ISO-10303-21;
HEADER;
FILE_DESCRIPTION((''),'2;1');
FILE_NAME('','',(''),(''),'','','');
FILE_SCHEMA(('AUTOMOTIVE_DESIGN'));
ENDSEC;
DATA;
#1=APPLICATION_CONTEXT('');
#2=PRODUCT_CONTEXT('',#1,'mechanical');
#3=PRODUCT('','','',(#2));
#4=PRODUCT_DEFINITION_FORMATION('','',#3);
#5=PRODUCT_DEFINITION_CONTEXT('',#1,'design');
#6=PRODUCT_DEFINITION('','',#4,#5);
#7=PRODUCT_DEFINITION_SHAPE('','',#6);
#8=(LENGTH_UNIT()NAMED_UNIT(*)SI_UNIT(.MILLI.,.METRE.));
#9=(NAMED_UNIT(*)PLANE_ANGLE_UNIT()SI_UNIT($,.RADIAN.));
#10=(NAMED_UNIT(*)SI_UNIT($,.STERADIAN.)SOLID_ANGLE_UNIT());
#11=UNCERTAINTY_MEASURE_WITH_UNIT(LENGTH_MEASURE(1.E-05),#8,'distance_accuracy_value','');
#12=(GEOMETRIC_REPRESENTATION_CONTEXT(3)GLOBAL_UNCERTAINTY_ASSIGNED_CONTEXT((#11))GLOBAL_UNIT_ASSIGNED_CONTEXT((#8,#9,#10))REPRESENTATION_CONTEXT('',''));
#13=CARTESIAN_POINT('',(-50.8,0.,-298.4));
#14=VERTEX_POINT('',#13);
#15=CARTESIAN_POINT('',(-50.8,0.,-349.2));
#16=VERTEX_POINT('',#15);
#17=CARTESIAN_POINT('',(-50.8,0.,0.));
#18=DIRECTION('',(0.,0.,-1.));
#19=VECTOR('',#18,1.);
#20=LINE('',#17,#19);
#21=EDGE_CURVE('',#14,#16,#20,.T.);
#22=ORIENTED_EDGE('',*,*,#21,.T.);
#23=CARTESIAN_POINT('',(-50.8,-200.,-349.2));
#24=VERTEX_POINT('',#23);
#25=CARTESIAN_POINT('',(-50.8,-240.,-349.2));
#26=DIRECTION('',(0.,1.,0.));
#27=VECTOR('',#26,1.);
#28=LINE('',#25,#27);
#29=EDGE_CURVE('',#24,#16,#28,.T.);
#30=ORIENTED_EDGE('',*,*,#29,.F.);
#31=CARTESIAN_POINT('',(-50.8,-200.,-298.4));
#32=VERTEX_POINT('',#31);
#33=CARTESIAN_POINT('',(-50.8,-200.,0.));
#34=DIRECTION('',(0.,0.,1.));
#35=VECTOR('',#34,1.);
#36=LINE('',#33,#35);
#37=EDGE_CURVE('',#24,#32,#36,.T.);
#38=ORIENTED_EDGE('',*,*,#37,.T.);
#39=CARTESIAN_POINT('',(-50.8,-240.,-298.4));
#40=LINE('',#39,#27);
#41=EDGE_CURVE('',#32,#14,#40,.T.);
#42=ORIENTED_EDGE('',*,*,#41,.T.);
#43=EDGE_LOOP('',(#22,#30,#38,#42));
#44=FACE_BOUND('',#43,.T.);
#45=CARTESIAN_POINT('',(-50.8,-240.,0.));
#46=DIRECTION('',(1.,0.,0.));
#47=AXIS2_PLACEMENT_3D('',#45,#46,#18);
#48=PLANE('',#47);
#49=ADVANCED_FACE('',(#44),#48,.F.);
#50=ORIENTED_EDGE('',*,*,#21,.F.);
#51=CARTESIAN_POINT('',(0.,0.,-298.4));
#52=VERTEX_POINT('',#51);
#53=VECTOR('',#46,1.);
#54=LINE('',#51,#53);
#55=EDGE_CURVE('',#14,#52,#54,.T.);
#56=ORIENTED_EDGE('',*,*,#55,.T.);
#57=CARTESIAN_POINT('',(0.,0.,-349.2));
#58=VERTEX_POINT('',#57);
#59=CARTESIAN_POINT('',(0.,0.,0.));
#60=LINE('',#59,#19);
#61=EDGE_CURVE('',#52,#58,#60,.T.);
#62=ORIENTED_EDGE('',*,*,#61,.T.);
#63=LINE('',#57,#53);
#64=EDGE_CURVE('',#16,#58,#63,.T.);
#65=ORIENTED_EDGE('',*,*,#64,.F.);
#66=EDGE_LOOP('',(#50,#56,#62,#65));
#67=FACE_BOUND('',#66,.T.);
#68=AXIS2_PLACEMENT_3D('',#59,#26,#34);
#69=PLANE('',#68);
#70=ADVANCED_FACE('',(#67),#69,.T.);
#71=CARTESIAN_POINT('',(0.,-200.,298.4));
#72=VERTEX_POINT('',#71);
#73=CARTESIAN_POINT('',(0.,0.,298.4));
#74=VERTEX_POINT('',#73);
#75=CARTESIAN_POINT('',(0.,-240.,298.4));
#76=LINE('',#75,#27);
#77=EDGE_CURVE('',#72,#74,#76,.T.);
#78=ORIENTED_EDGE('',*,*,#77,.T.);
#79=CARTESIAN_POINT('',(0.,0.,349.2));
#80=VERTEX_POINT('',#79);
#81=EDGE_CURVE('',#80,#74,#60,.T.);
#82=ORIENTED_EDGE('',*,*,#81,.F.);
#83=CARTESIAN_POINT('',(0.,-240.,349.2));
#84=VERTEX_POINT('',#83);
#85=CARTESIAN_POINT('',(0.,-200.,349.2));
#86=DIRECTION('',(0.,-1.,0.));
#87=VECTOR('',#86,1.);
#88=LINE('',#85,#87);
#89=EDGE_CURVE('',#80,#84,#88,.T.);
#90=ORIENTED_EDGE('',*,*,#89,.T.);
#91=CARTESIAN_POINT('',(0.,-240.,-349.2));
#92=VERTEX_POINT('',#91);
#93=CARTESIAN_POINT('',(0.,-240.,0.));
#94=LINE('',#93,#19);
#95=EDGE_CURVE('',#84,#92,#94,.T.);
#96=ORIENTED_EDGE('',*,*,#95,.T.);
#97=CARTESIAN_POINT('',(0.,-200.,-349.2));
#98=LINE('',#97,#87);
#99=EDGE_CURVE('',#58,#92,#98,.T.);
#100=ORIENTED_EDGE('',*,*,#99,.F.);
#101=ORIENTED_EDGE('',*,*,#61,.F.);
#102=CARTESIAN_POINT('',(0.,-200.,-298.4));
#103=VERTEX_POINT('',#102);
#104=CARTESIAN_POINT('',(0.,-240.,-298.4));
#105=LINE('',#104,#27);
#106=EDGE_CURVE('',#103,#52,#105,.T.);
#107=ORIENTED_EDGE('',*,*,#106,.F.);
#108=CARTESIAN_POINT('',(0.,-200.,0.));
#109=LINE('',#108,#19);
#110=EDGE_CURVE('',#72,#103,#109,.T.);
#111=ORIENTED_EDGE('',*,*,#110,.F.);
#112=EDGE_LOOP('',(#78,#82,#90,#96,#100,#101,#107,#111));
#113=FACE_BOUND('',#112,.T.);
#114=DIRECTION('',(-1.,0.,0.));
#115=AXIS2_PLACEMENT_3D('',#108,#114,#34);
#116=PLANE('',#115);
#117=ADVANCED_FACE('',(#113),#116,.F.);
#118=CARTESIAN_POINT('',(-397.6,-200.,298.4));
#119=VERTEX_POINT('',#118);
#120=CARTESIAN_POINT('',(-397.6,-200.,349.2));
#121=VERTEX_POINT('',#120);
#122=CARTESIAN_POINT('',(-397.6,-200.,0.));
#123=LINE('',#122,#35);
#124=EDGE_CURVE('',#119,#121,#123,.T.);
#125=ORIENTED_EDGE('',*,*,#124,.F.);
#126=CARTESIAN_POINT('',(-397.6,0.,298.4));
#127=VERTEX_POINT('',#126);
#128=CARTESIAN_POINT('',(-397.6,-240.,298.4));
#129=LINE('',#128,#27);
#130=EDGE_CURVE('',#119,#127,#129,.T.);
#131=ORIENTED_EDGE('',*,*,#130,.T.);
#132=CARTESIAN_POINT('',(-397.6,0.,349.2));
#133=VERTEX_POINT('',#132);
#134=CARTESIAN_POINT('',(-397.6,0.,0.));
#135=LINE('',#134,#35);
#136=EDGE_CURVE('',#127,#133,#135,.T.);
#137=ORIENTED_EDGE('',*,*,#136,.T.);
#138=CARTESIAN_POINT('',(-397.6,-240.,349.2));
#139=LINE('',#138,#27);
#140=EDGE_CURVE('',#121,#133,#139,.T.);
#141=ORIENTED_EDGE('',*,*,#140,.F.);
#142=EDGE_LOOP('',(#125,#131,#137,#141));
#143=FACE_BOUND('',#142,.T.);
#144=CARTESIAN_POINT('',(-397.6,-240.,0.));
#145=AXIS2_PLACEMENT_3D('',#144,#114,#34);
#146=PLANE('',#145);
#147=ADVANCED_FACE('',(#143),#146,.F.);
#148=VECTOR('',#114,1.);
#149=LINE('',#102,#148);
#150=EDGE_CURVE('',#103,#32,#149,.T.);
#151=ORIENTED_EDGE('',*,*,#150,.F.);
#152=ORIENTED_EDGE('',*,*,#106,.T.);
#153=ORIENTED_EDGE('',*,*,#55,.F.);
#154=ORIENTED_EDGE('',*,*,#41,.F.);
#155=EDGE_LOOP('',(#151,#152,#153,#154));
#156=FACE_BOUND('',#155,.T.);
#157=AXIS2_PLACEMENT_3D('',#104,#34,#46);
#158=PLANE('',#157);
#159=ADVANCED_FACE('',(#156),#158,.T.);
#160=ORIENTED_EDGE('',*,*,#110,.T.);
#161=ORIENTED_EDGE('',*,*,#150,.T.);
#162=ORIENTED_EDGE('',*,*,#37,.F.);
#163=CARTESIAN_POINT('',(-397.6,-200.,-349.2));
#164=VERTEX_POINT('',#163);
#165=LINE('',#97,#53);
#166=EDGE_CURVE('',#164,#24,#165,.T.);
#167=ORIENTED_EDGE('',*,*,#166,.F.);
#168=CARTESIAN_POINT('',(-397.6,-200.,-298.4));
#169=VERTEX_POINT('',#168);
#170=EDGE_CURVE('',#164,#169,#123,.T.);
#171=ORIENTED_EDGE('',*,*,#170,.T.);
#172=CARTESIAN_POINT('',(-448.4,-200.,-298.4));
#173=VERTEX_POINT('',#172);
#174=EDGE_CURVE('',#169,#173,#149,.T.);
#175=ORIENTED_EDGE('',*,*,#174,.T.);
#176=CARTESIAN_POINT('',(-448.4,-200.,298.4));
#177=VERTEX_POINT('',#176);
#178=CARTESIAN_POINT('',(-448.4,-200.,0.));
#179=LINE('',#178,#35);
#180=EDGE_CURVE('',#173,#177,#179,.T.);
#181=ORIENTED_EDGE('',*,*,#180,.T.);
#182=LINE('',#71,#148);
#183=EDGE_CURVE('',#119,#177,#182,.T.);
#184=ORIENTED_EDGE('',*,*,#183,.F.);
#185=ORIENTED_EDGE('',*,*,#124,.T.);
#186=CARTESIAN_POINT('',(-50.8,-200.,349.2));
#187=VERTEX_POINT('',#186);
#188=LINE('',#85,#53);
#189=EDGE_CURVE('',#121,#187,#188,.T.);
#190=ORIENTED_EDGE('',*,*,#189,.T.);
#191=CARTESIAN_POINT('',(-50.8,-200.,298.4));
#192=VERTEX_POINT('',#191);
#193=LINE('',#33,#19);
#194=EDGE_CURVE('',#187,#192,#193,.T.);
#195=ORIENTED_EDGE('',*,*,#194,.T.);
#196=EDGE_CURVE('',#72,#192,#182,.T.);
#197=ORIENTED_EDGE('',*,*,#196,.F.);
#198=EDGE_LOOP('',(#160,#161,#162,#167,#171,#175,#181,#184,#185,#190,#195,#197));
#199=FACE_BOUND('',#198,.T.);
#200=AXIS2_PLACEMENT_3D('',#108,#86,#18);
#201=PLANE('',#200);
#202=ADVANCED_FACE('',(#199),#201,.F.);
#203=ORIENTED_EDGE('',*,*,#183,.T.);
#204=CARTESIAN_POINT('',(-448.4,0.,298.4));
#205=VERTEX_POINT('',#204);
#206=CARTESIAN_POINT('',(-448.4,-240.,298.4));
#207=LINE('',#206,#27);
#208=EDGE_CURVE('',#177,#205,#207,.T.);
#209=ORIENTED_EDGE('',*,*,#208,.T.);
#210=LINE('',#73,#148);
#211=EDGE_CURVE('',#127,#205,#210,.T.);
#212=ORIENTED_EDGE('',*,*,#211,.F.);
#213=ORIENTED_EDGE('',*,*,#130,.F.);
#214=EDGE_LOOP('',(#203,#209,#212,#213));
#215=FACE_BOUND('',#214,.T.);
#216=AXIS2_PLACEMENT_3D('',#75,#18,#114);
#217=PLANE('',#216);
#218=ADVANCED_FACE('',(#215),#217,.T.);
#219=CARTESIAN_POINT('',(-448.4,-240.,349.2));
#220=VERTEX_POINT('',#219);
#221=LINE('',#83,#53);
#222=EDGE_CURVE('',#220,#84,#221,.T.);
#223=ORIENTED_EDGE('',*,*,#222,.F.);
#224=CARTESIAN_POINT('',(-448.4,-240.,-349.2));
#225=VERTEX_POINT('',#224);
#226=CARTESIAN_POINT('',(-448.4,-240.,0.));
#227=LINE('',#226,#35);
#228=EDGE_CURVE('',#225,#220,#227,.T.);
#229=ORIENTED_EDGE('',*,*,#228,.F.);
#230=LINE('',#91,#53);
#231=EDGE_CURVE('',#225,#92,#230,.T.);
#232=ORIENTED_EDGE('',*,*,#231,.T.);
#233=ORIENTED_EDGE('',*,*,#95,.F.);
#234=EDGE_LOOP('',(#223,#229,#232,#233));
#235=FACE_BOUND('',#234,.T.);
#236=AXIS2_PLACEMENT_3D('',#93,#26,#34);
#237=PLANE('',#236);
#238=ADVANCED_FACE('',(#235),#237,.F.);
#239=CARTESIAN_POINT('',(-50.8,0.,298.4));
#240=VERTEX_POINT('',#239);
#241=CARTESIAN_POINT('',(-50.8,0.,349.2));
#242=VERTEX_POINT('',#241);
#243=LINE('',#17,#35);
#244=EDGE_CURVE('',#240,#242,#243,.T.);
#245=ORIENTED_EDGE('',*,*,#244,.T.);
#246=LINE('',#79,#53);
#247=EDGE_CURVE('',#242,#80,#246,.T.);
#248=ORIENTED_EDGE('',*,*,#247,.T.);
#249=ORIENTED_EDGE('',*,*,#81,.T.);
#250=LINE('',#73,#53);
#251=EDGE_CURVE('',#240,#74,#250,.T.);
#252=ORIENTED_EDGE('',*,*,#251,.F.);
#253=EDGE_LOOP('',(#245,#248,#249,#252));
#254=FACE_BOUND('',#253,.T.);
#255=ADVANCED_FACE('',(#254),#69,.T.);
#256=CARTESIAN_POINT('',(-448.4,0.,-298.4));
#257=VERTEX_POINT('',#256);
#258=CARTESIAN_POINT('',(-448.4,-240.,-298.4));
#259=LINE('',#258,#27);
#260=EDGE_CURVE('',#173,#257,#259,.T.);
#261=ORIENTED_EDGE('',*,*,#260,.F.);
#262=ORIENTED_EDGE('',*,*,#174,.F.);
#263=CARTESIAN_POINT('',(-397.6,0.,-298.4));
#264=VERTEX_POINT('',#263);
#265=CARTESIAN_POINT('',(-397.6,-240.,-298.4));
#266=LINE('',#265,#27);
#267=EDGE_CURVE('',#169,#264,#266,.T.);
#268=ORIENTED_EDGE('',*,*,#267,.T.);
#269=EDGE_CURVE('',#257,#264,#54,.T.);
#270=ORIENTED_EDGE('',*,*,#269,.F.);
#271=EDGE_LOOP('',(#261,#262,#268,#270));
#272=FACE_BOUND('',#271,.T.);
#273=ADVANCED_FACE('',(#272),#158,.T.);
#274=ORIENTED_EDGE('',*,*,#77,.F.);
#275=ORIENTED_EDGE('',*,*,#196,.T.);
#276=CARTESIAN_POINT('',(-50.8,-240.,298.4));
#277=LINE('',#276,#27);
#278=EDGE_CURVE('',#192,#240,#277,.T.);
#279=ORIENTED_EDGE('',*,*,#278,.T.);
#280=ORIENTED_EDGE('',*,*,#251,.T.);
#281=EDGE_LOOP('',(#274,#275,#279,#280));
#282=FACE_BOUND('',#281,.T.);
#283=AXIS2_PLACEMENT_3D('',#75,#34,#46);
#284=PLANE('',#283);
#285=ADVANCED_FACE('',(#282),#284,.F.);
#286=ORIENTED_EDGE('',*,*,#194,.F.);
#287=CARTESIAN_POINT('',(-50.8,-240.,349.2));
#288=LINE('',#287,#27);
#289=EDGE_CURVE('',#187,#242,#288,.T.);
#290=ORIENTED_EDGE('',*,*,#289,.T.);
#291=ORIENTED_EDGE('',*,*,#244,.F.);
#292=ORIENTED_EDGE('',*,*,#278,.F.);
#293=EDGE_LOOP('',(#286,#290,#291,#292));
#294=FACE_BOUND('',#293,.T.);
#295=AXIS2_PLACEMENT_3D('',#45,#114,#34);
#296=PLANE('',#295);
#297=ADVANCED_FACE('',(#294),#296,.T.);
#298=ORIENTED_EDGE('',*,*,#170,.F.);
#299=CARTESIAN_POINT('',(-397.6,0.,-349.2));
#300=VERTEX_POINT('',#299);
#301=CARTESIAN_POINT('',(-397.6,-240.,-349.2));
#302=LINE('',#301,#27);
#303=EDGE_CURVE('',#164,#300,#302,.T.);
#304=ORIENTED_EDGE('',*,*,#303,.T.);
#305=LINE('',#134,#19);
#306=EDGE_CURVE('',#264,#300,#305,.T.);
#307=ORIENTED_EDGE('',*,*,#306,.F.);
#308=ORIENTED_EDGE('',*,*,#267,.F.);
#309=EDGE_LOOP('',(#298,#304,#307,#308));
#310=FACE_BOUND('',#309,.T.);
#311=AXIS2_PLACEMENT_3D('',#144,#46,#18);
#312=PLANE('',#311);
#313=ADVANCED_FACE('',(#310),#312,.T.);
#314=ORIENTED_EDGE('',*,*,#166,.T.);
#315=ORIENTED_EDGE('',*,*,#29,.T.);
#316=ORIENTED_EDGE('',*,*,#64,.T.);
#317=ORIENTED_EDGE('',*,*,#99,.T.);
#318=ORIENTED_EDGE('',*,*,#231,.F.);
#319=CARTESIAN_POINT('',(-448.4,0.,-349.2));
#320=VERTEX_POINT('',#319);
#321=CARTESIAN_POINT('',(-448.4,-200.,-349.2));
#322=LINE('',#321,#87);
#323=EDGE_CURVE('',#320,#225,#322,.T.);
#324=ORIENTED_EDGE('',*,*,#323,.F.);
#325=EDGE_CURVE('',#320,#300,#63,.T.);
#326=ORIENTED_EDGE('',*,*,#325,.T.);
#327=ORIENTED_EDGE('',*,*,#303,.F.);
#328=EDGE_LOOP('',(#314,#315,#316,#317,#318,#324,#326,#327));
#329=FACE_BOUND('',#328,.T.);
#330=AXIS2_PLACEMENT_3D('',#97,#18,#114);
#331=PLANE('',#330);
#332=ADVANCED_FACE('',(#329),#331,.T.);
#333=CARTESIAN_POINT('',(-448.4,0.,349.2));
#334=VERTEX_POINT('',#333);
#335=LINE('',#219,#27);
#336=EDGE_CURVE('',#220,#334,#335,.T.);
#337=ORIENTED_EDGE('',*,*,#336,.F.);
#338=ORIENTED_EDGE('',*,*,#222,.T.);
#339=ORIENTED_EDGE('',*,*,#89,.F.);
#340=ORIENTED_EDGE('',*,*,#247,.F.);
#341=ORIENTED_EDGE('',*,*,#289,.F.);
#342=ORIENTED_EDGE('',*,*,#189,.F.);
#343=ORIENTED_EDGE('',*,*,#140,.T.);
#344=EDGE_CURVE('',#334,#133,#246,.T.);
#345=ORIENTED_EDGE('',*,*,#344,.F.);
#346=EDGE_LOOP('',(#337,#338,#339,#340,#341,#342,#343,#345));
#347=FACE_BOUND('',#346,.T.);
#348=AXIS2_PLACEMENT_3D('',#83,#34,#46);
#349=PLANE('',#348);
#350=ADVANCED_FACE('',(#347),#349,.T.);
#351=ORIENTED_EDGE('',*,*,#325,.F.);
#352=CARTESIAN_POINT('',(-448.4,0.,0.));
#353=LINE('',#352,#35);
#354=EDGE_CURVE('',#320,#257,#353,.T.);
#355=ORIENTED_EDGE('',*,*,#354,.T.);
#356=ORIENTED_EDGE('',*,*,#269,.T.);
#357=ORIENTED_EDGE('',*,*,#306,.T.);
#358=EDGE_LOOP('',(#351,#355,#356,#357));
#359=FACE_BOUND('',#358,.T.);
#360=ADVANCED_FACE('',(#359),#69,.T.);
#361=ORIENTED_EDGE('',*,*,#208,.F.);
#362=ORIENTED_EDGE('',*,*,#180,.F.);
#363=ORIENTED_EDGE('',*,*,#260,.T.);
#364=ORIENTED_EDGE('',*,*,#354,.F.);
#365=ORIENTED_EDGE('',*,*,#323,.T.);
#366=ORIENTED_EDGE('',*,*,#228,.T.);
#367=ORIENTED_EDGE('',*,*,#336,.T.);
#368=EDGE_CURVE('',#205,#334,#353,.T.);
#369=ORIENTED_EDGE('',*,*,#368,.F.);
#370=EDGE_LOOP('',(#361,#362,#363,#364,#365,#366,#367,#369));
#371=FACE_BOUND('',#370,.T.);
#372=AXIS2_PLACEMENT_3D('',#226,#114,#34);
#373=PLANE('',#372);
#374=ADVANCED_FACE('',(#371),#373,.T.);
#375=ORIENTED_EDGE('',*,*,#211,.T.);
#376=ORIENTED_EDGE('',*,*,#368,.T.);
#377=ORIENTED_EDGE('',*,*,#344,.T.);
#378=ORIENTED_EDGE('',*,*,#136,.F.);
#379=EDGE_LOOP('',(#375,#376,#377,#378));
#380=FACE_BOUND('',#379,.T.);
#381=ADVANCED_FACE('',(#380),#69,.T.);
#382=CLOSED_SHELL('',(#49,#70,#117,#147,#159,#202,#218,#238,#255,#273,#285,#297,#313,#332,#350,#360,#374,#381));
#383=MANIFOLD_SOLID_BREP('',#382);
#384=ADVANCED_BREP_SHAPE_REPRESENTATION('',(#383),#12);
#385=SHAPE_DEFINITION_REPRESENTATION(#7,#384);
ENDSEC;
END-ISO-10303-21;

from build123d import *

# Parameters (mm, degrees)
CROQUIS1_4_W              = 50.8
CROQUIS1_4_H              = 50.8
SALIENTE_EXTRUIR3_DEPTH   = 240
SALIENTE_EXTRUIR3_2_DEPTH = 240
SALIENTE_EXTRUIR3_3_DEPTH = 240
SALIENTE_EXTRUIR3_4_DEPTH = 240
SALIENTE_EXTRUIR4_START   = -240
CROQUIS1_5_W              = 346.8
CROQUIS1_5_H              = 596.8
CROQUIS1_5_W_2            = 50.8
CROQUIS1_5_H_2            = 50.8
SALIENTE_EXTRUIR4_DEPTH   = 40


with BuildPart() as part:
    # Croquis1<4> → Saliente-Extruir3 (new body)
    with BuildSketch(Plane(origin=(0, 0, 0), x_dir=(1, 0, 0), z_dir=(0, 1, 0))):
        with Locations((-423, -323.8)):
            Rectangle(CROQUIS1_4_W, CROQUIS1_4_H)
    extrude(amount=-SALIENTE_EXTRUIR3_DEPTH)



with BuildPart() as body_2:
    # Croquis1<4> → Saliente-Extruir3 2 (new body)
    with BuildSketch(Plane(origin=(0, 0, 0), x_dir=(1, 0, 0), z_dir=(0, 1, 0))):
        with Locations((-423, 323.8)):
            Rectangle(CROQUIS1_4_W, CROQUIS1_4_H)
    extrude(amount=-SALIENTE_EXTRUIR3_2_DEPTH)


with BuildPart() as body_3:
    # Croquis1<4> → Saliente-Extruir3 3 (new body)
    with BuildSketch(Plane(origin=(0, 0, 0), x_dir=(1, 0, 0), z_dir=(0, 1, 0))):
        with Locations((-25.4, 323.8)):
            Rectangle(CROQUIS1_4_W, CROQUIS1_4_H)
    extrude(amount=-SALIENTE_EXTRUIR3_3_DEPTH)


with BuildPart() as body_4:
    # Croquis1<4> → Saliente-Extruir3 4 (new body)
    with BuildSketch(Plane(origin=(0, 0, 0), x_dir=(1, 0, 0), z_dir=(0, 1, 0))):
        with Locations((-25.4, -323.8)):
            Rectangle(CROQUIS1_4_W, CROQUIS1_4_H)
    extrude(amount=-SALIENTE_EXTRUIR3_4_DEPTH)


with BuildPart() as part_1:
    add(part.part)

    add(body_2.part)  # Saliente-Extruir4 merges body 2

    add(body_3.part)  # Saliente-Extruir4 merges body 3

    add(body_4.part)  # Saliente-Extruir4 merges body 4
    # Croquis1<5> → Saliente-Extruir4 (add)
    with BuildSketch(Plane(origin=(0, 0, 0), x_dir=(1, 0, 0), z_dir=(0, 1, 0)).offset(SALIENTE_EXTRUIR4_START)):
        with Locations((-224.2, 0)):
            Rectangle(CROQUIS1_5_W, CROQUIS1_5_H)
        with Locations((-25.4, 0)):
            Rectangle(CROQUIS1_5_W_2, CROQUIS1_5_H)
        with Locations((-224.2, -323.8)):
            Rectangle(CROQUIS1_5_W, CROQUIS1_5_H_2)
        with Locations((-423, 0)):
            Rectangle(CROQUIS1_5_W_2, CROQUIS1_5_H)
        with Locations((-224.2, 323.8)):
            Rectangle(CROQUIS1_5_W, CROQUIS1_5_H_2)
        with Locations((-423, 323.8)):
            Rectangle(CROQUIS1_5_W_2, CROQUIS1_5_H_2)
        with Locations((-25.4, 323.8)):
            Rectangle(CROQUIS1_5_W_2, CROQUIS1_5_H_2)
        with Locations((-25.4, -323.8)):
            Rectangle(CROQUIS1_5_W_2, CROQUIS1_5_H_2)
        with Locations((-423, -323.8)):
            Rectangle(CROQUIS1_5_W_2, CROQUIS1_5_H_2)
    extrude(amount=SALIENTE_EXTRUIR4_DEPTH)


solid = part_1.part
